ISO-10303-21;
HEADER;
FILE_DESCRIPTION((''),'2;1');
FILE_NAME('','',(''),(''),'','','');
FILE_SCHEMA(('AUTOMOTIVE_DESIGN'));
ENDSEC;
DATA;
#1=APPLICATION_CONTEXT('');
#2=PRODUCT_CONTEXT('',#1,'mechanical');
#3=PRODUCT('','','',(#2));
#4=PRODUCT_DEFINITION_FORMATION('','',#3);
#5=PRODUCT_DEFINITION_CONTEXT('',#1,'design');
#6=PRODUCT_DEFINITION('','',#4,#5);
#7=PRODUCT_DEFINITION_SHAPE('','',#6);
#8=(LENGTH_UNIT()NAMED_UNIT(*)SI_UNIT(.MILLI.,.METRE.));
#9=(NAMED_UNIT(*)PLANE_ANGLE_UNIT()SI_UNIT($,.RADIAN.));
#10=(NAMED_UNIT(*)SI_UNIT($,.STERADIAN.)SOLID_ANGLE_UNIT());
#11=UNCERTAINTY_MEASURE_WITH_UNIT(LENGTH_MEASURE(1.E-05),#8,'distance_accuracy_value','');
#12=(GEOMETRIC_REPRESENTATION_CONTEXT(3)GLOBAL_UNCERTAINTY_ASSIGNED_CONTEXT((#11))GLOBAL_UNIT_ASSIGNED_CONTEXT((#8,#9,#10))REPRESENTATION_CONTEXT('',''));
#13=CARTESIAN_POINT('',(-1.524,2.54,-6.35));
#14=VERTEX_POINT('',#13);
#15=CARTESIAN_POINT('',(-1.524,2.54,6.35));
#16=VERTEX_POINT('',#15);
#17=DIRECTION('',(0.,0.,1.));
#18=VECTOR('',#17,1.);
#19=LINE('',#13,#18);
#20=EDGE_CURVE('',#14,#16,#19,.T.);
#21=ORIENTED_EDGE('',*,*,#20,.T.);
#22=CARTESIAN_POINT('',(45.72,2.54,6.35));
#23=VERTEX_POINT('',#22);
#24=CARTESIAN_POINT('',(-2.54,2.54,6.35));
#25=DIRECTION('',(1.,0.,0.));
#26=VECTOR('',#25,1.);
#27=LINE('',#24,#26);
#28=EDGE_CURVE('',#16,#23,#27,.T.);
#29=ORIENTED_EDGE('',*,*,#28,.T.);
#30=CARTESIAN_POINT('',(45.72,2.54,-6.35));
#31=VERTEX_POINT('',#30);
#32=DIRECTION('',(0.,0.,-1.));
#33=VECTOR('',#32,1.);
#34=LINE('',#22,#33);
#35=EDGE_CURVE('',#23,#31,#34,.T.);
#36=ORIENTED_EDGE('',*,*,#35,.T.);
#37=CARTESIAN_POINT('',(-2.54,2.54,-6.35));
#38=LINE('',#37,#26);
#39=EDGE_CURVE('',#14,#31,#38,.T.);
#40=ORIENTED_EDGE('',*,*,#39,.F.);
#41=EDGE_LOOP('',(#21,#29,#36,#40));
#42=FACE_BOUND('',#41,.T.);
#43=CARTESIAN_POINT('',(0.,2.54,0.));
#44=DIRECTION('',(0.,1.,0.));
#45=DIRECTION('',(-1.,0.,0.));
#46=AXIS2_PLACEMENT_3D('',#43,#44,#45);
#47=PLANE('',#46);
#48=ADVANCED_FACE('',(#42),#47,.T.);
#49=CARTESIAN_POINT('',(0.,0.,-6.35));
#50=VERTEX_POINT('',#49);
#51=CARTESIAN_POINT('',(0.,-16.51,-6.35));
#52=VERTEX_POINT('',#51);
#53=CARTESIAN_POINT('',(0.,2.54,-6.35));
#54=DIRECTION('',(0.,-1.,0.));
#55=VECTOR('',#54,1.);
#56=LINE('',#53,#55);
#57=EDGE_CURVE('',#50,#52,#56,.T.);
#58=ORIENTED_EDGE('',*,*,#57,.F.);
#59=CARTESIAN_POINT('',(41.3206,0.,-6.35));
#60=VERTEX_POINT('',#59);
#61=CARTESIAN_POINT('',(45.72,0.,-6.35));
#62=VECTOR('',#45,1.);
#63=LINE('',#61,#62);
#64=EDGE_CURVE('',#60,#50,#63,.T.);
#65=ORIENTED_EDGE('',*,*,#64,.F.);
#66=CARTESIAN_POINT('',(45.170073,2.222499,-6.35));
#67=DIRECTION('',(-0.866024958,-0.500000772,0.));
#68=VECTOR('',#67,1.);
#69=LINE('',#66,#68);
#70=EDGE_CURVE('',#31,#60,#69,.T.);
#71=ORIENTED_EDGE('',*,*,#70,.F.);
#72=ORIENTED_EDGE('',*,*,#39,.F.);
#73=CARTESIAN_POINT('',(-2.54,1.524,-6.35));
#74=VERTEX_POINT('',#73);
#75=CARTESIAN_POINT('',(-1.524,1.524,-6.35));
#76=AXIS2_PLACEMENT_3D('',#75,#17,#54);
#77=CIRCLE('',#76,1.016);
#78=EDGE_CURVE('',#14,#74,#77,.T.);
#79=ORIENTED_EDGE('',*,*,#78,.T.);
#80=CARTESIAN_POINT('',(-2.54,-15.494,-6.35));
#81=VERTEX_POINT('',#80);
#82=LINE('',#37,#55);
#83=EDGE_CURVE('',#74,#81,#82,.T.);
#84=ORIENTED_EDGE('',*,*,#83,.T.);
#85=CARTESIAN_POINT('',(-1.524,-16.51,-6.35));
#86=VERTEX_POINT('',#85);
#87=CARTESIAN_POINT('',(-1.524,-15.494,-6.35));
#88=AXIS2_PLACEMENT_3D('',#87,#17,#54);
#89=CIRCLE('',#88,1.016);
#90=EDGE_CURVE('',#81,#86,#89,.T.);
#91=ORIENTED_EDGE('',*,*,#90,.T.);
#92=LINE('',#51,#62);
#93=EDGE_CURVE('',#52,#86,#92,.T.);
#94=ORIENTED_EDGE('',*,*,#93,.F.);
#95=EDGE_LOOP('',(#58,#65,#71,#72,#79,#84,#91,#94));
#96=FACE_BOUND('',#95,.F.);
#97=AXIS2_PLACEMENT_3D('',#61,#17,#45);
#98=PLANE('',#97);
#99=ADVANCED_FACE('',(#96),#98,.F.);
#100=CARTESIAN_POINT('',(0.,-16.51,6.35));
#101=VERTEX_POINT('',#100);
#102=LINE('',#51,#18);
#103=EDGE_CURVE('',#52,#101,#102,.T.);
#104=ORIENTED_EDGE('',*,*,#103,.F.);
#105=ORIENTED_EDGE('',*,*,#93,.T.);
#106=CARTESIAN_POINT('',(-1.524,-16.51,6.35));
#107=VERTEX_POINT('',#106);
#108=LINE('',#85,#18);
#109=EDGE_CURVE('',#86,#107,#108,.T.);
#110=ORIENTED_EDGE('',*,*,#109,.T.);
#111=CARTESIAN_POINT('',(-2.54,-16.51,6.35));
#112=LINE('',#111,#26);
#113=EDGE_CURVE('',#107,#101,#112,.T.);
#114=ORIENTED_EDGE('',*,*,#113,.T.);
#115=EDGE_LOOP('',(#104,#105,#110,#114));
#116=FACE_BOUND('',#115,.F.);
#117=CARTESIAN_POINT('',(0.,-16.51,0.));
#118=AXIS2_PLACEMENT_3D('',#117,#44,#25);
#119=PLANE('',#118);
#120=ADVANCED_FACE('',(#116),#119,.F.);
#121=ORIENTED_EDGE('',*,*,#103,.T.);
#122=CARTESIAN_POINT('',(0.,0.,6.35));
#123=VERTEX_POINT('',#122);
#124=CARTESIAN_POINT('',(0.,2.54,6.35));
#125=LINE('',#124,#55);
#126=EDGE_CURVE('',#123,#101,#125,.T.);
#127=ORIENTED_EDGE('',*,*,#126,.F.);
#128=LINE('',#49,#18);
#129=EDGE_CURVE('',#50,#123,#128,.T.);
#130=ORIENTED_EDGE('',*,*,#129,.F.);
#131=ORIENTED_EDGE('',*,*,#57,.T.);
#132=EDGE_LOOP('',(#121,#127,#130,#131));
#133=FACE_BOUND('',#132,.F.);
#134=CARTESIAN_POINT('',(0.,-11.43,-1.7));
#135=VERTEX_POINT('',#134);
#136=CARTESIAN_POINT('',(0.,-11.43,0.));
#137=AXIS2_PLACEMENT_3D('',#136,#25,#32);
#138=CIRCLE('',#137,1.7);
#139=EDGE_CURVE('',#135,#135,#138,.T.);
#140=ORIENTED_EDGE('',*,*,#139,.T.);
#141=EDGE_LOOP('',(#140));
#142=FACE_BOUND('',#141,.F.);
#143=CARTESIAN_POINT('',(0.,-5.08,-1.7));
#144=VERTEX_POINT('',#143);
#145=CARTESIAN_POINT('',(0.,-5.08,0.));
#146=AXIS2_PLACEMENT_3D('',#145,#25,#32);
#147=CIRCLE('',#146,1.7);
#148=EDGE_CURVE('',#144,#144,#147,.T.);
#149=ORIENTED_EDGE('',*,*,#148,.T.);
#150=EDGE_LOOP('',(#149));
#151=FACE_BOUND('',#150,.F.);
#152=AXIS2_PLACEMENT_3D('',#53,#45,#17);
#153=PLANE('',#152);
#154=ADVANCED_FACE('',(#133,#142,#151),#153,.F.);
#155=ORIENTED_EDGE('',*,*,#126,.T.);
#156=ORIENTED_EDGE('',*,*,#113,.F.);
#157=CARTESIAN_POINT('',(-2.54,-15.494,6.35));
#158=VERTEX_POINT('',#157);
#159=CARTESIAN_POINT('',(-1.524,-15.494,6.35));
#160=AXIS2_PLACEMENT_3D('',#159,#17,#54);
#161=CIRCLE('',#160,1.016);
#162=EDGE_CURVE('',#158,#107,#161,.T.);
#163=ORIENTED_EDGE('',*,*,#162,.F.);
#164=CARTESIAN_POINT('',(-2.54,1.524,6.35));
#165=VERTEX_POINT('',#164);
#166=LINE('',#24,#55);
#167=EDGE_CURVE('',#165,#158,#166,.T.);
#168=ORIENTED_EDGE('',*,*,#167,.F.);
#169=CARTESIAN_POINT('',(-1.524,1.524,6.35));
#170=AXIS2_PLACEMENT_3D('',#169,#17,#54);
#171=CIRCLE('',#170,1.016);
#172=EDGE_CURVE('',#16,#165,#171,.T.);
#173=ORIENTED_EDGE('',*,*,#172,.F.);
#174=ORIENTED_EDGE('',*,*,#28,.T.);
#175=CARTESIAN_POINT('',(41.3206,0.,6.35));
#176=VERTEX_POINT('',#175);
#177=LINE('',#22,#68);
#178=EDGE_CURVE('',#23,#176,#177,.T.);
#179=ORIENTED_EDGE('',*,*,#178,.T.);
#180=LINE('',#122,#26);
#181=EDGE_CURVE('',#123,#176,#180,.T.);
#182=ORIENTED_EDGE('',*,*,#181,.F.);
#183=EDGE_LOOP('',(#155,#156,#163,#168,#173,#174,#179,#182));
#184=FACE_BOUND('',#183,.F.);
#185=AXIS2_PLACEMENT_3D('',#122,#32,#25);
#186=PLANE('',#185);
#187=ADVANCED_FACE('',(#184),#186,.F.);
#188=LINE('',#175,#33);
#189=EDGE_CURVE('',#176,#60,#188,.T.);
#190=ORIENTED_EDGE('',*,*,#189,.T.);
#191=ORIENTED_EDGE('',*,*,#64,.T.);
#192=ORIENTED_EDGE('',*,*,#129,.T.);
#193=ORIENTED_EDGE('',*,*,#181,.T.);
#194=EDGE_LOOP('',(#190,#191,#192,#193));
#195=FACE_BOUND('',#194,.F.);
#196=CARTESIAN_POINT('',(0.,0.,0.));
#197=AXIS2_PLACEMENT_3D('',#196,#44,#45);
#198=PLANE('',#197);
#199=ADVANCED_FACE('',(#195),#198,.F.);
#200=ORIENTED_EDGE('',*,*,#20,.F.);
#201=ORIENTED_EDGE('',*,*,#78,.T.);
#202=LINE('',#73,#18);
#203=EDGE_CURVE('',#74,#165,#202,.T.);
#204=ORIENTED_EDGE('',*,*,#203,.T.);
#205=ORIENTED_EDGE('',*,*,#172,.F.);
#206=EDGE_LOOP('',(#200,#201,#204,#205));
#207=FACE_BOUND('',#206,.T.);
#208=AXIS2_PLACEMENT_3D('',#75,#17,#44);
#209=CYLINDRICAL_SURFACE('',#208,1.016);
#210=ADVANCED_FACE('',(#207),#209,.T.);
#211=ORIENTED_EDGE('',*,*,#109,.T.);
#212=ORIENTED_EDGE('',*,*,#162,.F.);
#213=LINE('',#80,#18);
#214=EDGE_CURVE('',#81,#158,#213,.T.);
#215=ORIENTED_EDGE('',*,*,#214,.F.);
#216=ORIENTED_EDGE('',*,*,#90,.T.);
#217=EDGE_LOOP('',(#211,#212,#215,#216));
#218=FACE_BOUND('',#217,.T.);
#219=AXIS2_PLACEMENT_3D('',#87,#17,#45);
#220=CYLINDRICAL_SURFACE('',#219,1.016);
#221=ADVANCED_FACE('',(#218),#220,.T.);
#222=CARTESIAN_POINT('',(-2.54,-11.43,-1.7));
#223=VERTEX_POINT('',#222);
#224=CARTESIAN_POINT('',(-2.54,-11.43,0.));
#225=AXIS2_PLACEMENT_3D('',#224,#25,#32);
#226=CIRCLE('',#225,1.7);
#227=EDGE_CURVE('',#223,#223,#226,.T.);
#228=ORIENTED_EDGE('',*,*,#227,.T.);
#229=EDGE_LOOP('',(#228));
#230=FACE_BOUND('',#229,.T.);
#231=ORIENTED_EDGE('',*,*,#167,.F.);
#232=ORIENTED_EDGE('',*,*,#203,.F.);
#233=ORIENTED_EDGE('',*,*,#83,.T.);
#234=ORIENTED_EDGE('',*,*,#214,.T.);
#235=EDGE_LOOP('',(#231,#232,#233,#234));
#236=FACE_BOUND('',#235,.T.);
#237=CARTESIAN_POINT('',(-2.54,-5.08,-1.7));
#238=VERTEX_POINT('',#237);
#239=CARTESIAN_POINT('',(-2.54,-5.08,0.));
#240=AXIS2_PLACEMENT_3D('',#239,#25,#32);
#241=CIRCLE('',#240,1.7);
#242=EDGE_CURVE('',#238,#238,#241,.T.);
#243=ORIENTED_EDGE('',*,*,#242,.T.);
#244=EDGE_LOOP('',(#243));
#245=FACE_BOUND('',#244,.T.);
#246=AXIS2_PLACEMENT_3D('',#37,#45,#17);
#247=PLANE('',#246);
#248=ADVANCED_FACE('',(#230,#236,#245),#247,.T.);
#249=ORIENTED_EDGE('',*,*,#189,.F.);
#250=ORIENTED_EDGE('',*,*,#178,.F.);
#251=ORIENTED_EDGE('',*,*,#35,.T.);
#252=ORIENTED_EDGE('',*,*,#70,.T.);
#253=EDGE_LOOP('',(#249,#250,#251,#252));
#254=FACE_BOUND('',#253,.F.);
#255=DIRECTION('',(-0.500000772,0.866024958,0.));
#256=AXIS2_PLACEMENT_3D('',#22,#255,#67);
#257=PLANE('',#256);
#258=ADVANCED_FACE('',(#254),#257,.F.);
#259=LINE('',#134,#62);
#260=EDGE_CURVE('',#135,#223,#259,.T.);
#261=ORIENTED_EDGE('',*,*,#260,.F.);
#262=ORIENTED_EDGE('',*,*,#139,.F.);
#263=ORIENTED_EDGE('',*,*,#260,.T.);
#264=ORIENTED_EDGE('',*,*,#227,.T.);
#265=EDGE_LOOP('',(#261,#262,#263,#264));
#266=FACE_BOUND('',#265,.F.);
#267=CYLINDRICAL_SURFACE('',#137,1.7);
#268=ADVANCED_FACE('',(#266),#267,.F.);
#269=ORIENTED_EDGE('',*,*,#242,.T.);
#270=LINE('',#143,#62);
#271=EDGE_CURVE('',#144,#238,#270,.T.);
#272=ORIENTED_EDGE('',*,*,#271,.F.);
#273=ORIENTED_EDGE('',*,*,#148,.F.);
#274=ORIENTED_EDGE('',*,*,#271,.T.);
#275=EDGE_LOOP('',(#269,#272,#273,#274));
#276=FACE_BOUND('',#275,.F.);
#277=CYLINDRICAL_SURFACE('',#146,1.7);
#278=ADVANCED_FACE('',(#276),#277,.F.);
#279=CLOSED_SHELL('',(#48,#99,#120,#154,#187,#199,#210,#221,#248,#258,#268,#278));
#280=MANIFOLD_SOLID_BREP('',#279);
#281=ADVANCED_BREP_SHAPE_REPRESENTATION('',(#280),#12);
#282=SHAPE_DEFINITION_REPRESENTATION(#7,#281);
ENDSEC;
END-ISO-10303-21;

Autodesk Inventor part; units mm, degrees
ref_plane "YZ Plane" through (0, 0, 0) normal (1, 0, 0) x (0, 1, 0)
ref_plane "XZ Plane" through (0, 0, 0) normal (0, 1, 0) x (-1, 0, 0)
ref_plane "XY Plane" through (0, 0, 0) normal (0, 0, 1) x (1, 0, 0)
sketch "Sketch1" plane through (0, 0, 0) normal (0, 1, 0) x (-1, 0, 0)
  line L0 (0, 6.35) -> (-45.72, 6.35)
  line L1 (-45.72, 6.35) -> (-45.72, -6.35)
  line L2 (-45.72, -6.35) -> (0, -6.35)
  line L3 (0, -6.35) -> (0, 6.35)
  point P0 (0, 0)
  dimension "d0" = 45.72
  dimension "d1" = 12.7
  dimension "d2" = 6.35
extrude "Extrusion1" add sketch "Sketch1" along normal blind 2.54
sketch "Sketch2" plane through (0, 2.54, 0) normal (0, 1, 0) x (1, 0, 0)
  line L0 (0, 6.35) -> (0, -6.35) projected
  line L1 (0, 6.35) -> (-2.54, 6.35)
  line L2 (-2.54, 6.35) -> (-2.54, -6.35)
  line L3 (-2.54, -6.35) -> (0, -6.35)
  line L4 (0, -6.35) -> (0, 6.35)
  point P0 (0, 0)
  point P1 (0, -6.35)
  dimension "d5" = 2.54
extrude "Extrusion2" add sketch "Sketch2" against normal blind 19.05
sketch "Sketch3" plane through (0, -16.51, 6.35) normal (1, 0, 0) x (0, 0, -1)
  circle A0 centre (6.35, 11.43) radius 1.7
  circle A1 centre (6.35, 5.08) radius 1.7
  line L0 (12.7, 16.51) -> (0, 16.51) projected
  point P0 (6.35, 16.51)
  dimension "d8" = 3.4
  dimension "d9" = 3.4
  dimension "d10" = 5.08
  dimension "d11" = 6.35
extrude "Extrusion3" cut sketch "Sketch3" against normal through all
fillet "Fillet1" radius 1.016 2 edges at (-2.54, 2.54, 0) (-2.54, -16.51, 0)
sketch "Sketch4" plane through (45.72, 0, 6.35) normal (0, 0, 1) x (1, 0, 0)
  line L0 (0, 0) -> (0, 2.54) projected
  line L1 (0, 2.54) -> (-4.3994, 0)
  line L2 (-45.72, 0) -> (0, 0) projected
  line L3 (0, 2.54) -> (5.08, 2.54) construction
  line L4 (-4.3994, 0) -> (0, 0)
  line L5 (0, 0) -> (0, 2.54)
  dimension "d15" = 150
extrude "Extrusion4" cut sketch "Sketch4" against normal through all
equation "\"d2\" = 0.5 * d1"
properties part number "capstone ear"
